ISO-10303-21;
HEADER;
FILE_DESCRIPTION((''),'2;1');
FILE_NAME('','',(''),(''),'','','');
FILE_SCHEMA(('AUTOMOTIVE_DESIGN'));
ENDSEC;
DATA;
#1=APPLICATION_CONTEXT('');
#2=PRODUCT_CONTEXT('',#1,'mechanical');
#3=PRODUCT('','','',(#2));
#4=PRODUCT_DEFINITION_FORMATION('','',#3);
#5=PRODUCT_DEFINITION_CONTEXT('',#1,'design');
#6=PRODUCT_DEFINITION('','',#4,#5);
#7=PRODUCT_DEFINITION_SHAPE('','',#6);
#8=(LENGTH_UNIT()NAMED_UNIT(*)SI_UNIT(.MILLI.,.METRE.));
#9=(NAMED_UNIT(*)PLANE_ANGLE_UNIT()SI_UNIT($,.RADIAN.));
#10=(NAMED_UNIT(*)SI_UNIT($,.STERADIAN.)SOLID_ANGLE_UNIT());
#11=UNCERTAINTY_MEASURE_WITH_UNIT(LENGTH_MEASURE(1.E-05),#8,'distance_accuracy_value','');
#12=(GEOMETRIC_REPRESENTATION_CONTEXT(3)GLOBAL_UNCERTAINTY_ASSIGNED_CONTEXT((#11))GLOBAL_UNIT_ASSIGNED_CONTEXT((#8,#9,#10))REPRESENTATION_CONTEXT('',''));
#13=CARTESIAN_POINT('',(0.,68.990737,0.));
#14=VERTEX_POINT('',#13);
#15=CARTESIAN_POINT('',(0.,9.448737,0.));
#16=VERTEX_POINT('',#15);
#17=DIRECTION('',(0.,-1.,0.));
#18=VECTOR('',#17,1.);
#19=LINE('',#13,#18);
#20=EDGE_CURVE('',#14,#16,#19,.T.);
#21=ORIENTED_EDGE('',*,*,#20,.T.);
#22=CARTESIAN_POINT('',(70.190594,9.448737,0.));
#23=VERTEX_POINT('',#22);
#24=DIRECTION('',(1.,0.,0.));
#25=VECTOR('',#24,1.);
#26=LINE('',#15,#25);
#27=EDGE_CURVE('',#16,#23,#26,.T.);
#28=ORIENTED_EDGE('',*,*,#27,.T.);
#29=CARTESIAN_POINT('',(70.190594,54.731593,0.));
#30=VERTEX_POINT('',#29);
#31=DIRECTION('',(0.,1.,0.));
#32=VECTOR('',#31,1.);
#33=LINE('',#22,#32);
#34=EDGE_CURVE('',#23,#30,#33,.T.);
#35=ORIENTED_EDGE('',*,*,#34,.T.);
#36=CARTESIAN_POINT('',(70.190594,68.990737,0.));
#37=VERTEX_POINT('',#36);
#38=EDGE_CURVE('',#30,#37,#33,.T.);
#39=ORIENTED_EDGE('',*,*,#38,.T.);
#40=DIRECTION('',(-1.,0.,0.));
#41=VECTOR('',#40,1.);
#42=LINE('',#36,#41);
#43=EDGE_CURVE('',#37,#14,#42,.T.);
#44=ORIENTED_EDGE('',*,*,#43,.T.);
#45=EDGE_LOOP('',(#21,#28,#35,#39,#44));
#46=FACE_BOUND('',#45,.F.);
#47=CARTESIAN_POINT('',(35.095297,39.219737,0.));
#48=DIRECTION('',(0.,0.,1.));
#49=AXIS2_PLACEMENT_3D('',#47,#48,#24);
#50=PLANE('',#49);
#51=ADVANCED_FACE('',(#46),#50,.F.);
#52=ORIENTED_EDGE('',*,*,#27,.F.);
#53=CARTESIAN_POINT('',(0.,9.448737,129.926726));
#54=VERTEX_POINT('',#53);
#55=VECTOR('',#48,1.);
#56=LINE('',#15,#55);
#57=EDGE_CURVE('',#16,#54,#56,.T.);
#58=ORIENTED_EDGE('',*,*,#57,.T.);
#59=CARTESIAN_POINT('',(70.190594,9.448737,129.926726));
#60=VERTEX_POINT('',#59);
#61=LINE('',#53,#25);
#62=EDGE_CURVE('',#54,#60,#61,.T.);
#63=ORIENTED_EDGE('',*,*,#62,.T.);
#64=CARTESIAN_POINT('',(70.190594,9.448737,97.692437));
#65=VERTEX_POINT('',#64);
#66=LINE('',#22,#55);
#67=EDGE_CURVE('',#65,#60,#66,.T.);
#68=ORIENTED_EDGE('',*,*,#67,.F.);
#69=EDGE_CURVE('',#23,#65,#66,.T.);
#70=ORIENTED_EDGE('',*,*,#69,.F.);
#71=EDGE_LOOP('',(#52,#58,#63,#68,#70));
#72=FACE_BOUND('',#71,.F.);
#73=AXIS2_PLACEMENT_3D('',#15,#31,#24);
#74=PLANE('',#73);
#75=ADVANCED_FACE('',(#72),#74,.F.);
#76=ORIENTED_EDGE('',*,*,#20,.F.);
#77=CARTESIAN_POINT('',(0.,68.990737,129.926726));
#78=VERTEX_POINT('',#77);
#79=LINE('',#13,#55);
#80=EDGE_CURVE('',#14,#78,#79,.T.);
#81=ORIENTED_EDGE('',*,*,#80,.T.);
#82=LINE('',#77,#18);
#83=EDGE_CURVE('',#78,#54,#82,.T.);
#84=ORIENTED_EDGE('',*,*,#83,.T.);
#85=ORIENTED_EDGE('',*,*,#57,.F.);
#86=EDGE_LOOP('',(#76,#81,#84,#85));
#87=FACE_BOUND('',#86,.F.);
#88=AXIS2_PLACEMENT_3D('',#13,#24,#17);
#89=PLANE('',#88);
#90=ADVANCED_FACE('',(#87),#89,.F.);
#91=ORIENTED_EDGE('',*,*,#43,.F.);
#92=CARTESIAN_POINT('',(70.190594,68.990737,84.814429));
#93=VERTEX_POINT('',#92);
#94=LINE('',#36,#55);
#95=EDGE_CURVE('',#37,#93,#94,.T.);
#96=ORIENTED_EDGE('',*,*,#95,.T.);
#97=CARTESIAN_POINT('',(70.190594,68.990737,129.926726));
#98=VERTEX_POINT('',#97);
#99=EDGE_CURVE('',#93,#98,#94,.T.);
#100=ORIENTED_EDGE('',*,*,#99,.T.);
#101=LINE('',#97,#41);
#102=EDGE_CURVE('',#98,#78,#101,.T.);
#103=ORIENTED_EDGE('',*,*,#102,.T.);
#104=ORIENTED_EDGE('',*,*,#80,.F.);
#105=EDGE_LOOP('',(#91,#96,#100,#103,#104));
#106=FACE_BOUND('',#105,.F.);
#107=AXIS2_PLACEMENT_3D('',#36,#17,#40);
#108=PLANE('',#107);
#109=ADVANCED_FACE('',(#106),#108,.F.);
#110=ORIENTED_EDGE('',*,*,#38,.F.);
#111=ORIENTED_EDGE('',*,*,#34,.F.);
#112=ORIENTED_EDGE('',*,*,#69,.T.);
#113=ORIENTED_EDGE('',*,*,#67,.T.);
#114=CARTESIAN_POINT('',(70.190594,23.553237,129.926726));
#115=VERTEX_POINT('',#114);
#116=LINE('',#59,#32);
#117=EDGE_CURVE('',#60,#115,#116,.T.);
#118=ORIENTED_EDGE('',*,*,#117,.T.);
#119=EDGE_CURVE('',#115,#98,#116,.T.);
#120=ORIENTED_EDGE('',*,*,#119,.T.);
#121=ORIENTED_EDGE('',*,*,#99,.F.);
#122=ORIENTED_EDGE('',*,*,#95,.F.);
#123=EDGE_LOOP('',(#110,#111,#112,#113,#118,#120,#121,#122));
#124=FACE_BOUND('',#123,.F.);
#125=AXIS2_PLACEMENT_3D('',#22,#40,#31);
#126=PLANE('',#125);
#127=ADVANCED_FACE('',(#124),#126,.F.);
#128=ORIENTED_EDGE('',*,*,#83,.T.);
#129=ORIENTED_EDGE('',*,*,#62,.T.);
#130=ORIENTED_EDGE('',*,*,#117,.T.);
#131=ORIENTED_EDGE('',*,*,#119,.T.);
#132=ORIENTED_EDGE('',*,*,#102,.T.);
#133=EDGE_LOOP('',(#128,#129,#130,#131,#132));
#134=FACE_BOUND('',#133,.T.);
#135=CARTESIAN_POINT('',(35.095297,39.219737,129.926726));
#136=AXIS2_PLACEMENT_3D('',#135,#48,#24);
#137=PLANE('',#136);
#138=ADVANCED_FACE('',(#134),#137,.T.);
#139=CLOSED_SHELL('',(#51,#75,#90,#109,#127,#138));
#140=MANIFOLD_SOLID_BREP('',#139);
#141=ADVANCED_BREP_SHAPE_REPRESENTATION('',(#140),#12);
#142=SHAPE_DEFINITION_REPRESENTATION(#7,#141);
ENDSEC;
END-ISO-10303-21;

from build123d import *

# Parameters (mm, degrees)
F1_DEPTH = 129.926726
F3_DEPTH = 69.557719


with BuildPart() as f1:
    # F0 (on Top) → F1 (new body)
    with BuildSketch(Plane.XY):
        Polygon((0, 68.990737), (0, 9.448737), (70.190594, 9.448737), (70.190594, 68.990737), (44.694006, 68.990737), (24.746686, 68.990737), align=None)
    extrude(amount=F1_DEPTH)

    # F2 (on face) → F3 (join)
    with BuildSketch(Plane.YZ.offset(70.190594)):
        Polygon((23.553237, 129.926726), (9.448737, 97.692437), (54.731593, 0), (68.990737, 84.814429), align=None)
    extrude(amount=-F3_DEPTH)


solid = f1.part
